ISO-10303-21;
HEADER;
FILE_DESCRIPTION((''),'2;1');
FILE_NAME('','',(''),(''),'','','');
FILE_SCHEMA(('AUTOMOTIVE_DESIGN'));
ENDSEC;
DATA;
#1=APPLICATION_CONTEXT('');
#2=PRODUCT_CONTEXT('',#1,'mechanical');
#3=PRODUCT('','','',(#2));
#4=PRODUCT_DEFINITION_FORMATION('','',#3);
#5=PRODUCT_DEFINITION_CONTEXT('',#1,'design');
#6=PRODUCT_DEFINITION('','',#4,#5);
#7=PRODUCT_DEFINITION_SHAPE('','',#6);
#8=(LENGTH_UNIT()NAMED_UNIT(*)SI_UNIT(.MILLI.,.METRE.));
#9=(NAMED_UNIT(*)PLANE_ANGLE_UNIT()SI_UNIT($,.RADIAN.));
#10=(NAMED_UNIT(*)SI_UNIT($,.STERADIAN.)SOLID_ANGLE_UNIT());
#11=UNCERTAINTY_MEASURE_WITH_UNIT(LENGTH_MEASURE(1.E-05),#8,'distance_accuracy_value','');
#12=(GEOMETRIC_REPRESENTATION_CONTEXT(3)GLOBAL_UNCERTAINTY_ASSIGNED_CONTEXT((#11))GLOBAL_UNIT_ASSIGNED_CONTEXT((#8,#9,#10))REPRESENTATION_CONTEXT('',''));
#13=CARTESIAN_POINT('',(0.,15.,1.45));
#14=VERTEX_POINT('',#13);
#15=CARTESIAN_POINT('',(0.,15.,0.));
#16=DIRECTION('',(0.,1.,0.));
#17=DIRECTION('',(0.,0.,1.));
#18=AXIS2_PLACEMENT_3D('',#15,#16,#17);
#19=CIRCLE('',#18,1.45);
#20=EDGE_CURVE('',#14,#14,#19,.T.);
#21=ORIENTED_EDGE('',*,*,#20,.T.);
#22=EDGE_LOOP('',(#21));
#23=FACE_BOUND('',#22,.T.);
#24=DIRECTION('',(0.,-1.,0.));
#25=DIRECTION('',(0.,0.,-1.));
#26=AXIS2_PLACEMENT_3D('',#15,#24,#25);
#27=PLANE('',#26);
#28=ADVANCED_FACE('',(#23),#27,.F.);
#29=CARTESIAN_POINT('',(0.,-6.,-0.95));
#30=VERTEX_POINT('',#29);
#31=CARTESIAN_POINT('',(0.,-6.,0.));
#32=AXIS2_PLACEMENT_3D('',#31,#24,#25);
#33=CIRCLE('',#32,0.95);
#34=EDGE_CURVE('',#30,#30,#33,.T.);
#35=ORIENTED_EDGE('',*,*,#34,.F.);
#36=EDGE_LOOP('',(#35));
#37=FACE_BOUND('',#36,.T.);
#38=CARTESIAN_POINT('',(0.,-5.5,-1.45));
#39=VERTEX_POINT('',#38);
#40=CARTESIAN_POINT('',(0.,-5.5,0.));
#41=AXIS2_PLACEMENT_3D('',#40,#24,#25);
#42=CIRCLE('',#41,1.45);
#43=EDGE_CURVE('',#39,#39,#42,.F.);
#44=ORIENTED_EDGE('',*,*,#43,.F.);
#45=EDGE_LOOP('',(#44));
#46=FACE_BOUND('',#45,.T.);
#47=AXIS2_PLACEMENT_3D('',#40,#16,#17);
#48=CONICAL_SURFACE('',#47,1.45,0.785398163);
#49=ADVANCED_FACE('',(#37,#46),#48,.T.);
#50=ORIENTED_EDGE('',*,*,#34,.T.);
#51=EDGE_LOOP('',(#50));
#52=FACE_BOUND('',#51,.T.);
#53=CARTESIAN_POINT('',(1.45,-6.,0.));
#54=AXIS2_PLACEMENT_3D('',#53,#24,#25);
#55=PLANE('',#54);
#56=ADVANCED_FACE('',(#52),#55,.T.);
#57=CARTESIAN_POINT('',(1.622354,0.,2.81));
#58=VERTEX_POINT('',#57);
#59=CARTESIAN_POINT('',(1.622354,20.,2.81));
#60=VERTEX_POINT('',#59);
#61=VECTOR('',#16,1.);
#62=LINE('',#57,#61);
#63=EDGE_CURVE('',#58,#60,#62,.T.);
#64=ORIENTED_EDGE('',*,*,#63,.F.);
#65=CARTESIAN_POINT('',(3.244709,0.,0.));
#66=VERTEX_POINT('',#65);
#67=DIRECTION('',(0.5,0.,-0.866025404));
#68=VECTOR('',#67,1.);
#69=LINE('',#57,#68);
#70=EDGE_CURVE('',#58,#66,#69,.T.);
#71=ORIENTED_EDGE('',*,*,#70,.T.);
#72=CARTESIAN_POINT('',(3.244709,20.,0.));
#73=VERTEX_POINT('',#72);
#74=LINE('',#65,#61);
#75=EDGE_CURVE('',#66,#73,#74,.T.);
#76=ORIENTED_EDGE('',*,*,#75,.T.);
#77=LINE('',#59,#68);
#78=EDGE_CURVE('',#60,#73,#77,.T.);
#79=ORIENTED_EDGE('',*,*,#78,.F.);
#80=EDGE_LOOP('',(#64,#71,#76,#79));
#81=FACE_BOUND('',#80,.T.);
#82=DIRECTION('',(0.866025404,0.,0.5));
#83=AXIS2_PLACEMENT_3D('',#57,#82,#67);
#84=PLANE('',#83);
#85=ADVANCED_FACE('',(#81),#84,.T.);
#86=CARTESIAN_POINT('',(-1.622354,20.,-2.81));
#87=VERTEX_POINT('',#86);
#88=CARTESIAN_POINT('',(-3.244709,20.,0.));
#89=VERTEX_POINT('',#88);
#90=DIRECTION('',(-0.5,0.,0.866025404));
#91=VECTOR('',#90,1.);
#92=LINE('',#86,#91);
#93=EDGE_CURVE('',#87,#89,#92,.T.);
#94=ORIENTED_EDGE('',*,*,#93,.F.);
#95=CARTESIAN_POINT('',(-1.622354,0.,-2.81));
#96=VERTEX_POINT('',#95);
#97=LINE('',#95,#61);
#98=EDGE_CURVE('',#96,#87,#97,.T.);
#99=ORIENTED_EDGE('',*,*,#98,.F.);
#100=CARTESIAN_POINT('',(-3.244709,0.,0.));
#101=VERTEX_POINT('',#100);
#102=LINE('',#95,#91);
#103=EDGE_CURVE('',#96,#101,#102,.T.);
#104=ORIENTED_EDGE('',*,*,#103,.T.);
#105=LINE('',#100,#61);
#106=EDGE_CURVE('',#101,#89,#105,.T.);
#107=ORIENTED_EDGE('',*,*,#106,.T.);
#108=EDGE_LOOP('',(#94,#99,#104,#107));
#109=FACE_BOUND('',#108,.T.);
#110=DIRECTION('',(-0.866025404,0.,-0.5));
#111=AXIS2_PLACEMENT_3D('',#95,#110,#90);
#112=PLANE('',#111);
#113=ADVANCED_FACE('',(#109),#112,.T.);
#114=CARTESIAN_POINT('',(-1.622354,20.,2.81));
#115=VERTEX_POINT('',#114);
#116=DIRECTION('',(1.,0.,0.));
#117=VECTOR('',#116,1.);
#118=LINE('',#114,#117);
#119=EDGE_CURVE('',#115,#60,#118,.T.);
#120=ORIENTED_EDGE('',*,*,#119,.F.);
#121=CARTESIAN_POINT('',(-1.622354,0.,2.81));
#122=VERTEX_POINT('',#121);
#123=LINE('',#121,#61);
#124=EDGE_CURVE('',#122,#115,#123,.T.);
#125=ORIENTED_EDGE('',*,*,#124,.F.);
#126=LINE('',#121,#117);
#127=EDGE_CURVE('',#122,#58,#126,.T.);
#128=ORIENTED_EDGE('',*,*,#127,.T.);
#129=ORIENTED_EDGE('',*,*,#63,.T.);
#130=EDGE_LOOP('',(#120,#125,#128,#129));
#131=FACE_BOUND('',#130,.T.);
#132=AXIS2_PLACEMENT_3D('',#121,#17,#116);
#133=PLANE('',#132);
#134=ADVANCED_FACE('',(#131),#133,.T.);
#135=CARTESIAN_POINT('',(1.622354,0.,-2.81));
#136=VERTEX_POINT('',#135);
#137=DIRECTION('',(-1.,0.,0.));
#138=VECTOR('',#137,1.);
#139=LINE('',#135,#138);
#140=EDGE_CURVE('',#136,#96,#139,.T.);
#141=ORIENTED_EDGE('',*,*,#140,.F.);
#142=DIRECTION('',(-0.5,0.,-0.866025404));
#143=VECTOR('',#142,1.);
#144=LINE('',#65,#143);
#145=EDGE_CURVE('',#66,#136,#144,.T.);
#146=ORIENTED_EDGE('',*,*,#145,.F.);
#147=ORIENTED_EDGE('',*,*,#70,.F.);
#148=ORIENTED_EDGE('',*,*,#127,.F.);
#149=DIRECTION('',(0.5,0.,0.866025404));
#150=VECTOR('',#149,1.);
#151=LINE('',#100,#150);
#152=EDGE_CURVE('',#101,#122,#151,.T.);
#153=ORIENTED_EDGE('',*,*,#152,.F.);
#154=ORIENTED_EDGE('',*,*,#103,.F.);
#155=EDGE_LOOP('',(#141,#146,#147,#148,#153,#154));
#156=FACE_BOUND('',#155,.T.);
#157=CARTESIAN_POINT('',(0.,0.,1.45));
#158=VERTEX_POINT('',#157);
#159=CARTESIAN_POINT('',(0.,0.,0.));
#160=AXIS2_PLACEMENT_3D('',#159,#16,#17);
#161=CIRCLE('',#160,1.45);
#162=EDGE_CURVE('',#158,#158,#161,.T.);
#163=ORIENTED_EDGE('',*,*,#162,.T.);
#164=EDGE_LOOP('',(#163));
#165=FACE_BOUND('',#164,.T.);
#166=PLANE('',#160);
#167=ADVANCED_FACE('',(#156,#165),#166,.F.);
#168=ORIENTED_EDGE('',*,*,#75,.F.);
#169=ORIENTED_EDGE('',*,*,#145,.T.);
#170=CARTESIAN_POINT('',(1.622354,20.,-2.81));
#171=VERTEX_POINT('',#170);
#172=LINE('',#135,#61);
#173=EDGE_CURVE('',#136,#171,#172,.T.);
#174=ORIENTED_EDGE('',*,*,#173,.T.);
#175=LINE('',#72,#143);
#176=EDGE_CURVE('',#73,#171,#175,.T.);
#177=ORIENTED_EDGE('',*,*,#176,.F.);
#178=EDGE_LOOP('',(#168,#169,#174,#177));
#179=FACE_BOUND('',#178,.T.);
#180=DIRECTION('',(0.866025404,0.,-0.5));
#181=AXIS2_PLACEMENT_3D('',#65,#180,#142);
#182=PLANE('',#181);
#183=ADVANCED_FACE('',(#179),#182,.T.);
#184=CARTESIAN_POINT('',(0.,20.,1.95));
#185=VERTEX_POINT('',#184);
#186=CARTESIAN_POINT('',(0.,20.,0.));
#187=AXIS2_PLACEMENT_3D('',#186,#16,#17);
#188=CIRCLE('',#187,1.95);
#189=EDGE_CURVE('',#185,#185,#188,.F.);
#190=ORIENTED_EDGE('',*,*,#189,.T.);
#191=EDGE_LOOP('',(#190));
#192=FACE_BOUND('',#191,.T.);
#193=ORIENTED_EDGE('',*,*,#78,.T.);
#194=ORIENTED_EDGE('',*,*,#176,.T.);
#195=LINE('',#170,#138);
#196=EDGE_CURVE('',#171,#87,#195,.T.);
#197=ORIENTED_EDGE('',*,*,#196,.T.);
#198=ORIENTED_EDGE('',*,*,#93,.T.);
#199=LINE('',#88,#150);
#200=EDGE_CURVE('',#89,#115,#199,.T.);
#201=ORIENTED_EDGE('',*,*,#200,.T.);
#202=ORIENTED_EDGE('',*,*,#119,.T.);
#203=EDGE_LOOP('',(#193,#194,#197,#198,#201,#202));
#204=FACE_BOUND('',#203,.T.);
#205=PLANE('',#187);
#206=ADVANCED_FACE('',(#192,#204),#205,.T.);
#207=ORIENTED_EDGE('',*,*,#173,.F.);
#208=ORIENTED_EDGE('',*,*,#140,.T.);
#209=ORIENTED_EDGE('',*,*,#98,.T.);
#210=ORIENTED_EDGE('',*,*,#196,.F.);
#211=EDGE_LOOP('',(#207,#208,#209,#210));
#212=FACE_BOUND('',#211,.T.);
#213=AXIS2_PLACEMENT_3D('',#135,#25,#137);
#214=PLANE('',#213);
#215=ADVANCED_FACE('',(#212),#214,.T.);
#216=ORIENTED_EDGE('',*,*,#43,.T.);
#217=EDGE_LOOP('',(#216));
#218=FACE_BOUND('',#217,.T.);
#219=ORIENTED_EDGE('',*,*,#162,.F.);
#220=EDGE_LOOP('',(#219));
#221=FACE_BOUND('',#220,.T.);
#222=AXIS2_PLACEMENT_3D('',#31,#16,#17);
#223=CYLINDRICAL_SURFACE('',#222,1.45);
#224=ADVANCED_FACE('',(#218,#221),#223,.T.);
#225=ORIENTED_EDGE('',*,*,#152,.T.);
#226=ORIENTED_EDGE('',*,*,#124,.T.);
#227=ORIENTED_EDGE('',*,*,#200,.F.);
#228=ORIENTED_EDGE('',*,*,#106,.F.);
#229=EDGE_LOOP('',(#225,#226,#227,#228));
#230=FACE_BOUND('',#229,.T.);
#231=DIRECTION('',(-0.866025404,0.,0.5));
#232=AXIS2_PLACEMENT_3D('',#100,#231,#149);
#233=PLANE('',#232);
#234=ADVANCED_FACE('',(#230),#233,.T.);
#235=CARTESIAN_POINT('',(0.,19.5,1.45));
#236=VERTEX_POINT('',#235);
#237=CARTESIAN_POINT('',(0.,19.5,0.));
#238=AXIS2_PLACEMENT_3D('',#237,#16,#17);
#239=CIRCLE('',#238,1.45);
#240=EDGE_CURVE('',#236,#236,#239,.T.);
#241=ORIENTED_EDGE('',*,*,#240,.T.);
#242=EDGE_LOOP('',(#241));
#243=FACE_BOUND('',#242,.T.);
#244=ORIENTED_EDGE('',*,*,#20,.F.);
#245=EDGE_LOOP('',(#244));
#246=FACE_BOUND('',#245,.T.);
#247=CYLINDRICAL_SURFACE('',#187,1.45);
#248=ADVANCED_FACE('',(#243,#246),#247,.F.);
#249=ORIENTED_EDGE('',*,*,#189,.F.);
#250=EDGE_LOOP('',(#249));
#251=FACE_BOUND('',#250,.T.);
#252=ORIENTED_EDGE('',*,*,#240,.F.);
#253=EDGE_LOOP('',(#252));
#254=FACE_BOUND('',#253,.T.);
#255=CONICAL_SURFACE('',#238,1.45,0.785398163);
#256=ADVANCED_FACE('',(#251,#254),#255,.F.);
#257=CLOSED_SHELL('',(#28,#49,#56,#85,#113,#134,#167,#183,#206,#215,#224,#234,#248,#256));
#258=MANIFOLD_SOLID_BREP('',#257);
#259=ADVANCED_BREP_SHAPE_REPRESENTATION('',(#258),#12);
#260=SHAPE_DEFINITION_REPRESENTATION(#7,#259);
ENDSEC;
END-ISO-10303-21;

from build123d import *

# Parameters (mm, degrees)
BOSS_EXTRUDE1_DEPTH            = 20
SKETCH2_W                      = 1.45
SKETCH2_H                      = 6
F_2_9_2_9_DIAMETER_HOLE1_D     = 2.9
F_2_9_2_9_DIAMETER_HOLE1_DEPTH = 5
CHAMFER1_SIZE                  = 0.5


with BuildPart() as part:
    # Sketch1 → Boss-Extrude1 (new body)
    with BuildSketch(Plane(origin=(0, 20, 0), x_dir=(1, 0, 0), z_dir=(0, 1, 0))):
        Polygon((1.622354256, -2.81), (3.244708513, 0), (1.622354256, 2.81), (-1.622354256, 2.81), (-3.244708513, 0), (-1.622354256, -2.81), align=None)
    extrude(amount=-BOSS_EXTRUDE1_DEPTH)

    # Sketch2 → Revolve1 (revolve)
    with BuildSketch(Plane(origin=(0, 0, 0), x_dir=(-1, 0, 0), z_dir=(0, 0, -1)), mode=Mode.PRIVATE) as revolve1_sk:
        with Locations((-0.725, -3)):
            Rectangle(SKETCH2_W, SKETCH2_H)
    revolve(revolve1_sk.sketch.rotate(Axis((0, -6, 0), (0, 1, 0)), 270), axis=Axis((0, -6, 0), (0, 1, 0)))

    # Ø2.9 (2.9) Diameter Hole1
    with Locations(Plane(origin=(0, 20, 0), x_dir=(1, 0, 0), z_dir=(0, 1, 0))):
        with Locations((0, 0)):
            Hole(F_2_9_2_9_DIAMETER_HOLE1_D / 2, depth=F_2_9_2_9_DIAMETER_HOLE1_DEPTH)

    # Chamfer1
    chamfer1_edges = [part.edges().sort_by_distance(p)[0] for p in [
        (0, -6, -1.45),
        (1.45, 20, 0),
    ]]
    chamfer(chamfer1_edges, length=CHAMFER1_SIZE)


solid = part.part
